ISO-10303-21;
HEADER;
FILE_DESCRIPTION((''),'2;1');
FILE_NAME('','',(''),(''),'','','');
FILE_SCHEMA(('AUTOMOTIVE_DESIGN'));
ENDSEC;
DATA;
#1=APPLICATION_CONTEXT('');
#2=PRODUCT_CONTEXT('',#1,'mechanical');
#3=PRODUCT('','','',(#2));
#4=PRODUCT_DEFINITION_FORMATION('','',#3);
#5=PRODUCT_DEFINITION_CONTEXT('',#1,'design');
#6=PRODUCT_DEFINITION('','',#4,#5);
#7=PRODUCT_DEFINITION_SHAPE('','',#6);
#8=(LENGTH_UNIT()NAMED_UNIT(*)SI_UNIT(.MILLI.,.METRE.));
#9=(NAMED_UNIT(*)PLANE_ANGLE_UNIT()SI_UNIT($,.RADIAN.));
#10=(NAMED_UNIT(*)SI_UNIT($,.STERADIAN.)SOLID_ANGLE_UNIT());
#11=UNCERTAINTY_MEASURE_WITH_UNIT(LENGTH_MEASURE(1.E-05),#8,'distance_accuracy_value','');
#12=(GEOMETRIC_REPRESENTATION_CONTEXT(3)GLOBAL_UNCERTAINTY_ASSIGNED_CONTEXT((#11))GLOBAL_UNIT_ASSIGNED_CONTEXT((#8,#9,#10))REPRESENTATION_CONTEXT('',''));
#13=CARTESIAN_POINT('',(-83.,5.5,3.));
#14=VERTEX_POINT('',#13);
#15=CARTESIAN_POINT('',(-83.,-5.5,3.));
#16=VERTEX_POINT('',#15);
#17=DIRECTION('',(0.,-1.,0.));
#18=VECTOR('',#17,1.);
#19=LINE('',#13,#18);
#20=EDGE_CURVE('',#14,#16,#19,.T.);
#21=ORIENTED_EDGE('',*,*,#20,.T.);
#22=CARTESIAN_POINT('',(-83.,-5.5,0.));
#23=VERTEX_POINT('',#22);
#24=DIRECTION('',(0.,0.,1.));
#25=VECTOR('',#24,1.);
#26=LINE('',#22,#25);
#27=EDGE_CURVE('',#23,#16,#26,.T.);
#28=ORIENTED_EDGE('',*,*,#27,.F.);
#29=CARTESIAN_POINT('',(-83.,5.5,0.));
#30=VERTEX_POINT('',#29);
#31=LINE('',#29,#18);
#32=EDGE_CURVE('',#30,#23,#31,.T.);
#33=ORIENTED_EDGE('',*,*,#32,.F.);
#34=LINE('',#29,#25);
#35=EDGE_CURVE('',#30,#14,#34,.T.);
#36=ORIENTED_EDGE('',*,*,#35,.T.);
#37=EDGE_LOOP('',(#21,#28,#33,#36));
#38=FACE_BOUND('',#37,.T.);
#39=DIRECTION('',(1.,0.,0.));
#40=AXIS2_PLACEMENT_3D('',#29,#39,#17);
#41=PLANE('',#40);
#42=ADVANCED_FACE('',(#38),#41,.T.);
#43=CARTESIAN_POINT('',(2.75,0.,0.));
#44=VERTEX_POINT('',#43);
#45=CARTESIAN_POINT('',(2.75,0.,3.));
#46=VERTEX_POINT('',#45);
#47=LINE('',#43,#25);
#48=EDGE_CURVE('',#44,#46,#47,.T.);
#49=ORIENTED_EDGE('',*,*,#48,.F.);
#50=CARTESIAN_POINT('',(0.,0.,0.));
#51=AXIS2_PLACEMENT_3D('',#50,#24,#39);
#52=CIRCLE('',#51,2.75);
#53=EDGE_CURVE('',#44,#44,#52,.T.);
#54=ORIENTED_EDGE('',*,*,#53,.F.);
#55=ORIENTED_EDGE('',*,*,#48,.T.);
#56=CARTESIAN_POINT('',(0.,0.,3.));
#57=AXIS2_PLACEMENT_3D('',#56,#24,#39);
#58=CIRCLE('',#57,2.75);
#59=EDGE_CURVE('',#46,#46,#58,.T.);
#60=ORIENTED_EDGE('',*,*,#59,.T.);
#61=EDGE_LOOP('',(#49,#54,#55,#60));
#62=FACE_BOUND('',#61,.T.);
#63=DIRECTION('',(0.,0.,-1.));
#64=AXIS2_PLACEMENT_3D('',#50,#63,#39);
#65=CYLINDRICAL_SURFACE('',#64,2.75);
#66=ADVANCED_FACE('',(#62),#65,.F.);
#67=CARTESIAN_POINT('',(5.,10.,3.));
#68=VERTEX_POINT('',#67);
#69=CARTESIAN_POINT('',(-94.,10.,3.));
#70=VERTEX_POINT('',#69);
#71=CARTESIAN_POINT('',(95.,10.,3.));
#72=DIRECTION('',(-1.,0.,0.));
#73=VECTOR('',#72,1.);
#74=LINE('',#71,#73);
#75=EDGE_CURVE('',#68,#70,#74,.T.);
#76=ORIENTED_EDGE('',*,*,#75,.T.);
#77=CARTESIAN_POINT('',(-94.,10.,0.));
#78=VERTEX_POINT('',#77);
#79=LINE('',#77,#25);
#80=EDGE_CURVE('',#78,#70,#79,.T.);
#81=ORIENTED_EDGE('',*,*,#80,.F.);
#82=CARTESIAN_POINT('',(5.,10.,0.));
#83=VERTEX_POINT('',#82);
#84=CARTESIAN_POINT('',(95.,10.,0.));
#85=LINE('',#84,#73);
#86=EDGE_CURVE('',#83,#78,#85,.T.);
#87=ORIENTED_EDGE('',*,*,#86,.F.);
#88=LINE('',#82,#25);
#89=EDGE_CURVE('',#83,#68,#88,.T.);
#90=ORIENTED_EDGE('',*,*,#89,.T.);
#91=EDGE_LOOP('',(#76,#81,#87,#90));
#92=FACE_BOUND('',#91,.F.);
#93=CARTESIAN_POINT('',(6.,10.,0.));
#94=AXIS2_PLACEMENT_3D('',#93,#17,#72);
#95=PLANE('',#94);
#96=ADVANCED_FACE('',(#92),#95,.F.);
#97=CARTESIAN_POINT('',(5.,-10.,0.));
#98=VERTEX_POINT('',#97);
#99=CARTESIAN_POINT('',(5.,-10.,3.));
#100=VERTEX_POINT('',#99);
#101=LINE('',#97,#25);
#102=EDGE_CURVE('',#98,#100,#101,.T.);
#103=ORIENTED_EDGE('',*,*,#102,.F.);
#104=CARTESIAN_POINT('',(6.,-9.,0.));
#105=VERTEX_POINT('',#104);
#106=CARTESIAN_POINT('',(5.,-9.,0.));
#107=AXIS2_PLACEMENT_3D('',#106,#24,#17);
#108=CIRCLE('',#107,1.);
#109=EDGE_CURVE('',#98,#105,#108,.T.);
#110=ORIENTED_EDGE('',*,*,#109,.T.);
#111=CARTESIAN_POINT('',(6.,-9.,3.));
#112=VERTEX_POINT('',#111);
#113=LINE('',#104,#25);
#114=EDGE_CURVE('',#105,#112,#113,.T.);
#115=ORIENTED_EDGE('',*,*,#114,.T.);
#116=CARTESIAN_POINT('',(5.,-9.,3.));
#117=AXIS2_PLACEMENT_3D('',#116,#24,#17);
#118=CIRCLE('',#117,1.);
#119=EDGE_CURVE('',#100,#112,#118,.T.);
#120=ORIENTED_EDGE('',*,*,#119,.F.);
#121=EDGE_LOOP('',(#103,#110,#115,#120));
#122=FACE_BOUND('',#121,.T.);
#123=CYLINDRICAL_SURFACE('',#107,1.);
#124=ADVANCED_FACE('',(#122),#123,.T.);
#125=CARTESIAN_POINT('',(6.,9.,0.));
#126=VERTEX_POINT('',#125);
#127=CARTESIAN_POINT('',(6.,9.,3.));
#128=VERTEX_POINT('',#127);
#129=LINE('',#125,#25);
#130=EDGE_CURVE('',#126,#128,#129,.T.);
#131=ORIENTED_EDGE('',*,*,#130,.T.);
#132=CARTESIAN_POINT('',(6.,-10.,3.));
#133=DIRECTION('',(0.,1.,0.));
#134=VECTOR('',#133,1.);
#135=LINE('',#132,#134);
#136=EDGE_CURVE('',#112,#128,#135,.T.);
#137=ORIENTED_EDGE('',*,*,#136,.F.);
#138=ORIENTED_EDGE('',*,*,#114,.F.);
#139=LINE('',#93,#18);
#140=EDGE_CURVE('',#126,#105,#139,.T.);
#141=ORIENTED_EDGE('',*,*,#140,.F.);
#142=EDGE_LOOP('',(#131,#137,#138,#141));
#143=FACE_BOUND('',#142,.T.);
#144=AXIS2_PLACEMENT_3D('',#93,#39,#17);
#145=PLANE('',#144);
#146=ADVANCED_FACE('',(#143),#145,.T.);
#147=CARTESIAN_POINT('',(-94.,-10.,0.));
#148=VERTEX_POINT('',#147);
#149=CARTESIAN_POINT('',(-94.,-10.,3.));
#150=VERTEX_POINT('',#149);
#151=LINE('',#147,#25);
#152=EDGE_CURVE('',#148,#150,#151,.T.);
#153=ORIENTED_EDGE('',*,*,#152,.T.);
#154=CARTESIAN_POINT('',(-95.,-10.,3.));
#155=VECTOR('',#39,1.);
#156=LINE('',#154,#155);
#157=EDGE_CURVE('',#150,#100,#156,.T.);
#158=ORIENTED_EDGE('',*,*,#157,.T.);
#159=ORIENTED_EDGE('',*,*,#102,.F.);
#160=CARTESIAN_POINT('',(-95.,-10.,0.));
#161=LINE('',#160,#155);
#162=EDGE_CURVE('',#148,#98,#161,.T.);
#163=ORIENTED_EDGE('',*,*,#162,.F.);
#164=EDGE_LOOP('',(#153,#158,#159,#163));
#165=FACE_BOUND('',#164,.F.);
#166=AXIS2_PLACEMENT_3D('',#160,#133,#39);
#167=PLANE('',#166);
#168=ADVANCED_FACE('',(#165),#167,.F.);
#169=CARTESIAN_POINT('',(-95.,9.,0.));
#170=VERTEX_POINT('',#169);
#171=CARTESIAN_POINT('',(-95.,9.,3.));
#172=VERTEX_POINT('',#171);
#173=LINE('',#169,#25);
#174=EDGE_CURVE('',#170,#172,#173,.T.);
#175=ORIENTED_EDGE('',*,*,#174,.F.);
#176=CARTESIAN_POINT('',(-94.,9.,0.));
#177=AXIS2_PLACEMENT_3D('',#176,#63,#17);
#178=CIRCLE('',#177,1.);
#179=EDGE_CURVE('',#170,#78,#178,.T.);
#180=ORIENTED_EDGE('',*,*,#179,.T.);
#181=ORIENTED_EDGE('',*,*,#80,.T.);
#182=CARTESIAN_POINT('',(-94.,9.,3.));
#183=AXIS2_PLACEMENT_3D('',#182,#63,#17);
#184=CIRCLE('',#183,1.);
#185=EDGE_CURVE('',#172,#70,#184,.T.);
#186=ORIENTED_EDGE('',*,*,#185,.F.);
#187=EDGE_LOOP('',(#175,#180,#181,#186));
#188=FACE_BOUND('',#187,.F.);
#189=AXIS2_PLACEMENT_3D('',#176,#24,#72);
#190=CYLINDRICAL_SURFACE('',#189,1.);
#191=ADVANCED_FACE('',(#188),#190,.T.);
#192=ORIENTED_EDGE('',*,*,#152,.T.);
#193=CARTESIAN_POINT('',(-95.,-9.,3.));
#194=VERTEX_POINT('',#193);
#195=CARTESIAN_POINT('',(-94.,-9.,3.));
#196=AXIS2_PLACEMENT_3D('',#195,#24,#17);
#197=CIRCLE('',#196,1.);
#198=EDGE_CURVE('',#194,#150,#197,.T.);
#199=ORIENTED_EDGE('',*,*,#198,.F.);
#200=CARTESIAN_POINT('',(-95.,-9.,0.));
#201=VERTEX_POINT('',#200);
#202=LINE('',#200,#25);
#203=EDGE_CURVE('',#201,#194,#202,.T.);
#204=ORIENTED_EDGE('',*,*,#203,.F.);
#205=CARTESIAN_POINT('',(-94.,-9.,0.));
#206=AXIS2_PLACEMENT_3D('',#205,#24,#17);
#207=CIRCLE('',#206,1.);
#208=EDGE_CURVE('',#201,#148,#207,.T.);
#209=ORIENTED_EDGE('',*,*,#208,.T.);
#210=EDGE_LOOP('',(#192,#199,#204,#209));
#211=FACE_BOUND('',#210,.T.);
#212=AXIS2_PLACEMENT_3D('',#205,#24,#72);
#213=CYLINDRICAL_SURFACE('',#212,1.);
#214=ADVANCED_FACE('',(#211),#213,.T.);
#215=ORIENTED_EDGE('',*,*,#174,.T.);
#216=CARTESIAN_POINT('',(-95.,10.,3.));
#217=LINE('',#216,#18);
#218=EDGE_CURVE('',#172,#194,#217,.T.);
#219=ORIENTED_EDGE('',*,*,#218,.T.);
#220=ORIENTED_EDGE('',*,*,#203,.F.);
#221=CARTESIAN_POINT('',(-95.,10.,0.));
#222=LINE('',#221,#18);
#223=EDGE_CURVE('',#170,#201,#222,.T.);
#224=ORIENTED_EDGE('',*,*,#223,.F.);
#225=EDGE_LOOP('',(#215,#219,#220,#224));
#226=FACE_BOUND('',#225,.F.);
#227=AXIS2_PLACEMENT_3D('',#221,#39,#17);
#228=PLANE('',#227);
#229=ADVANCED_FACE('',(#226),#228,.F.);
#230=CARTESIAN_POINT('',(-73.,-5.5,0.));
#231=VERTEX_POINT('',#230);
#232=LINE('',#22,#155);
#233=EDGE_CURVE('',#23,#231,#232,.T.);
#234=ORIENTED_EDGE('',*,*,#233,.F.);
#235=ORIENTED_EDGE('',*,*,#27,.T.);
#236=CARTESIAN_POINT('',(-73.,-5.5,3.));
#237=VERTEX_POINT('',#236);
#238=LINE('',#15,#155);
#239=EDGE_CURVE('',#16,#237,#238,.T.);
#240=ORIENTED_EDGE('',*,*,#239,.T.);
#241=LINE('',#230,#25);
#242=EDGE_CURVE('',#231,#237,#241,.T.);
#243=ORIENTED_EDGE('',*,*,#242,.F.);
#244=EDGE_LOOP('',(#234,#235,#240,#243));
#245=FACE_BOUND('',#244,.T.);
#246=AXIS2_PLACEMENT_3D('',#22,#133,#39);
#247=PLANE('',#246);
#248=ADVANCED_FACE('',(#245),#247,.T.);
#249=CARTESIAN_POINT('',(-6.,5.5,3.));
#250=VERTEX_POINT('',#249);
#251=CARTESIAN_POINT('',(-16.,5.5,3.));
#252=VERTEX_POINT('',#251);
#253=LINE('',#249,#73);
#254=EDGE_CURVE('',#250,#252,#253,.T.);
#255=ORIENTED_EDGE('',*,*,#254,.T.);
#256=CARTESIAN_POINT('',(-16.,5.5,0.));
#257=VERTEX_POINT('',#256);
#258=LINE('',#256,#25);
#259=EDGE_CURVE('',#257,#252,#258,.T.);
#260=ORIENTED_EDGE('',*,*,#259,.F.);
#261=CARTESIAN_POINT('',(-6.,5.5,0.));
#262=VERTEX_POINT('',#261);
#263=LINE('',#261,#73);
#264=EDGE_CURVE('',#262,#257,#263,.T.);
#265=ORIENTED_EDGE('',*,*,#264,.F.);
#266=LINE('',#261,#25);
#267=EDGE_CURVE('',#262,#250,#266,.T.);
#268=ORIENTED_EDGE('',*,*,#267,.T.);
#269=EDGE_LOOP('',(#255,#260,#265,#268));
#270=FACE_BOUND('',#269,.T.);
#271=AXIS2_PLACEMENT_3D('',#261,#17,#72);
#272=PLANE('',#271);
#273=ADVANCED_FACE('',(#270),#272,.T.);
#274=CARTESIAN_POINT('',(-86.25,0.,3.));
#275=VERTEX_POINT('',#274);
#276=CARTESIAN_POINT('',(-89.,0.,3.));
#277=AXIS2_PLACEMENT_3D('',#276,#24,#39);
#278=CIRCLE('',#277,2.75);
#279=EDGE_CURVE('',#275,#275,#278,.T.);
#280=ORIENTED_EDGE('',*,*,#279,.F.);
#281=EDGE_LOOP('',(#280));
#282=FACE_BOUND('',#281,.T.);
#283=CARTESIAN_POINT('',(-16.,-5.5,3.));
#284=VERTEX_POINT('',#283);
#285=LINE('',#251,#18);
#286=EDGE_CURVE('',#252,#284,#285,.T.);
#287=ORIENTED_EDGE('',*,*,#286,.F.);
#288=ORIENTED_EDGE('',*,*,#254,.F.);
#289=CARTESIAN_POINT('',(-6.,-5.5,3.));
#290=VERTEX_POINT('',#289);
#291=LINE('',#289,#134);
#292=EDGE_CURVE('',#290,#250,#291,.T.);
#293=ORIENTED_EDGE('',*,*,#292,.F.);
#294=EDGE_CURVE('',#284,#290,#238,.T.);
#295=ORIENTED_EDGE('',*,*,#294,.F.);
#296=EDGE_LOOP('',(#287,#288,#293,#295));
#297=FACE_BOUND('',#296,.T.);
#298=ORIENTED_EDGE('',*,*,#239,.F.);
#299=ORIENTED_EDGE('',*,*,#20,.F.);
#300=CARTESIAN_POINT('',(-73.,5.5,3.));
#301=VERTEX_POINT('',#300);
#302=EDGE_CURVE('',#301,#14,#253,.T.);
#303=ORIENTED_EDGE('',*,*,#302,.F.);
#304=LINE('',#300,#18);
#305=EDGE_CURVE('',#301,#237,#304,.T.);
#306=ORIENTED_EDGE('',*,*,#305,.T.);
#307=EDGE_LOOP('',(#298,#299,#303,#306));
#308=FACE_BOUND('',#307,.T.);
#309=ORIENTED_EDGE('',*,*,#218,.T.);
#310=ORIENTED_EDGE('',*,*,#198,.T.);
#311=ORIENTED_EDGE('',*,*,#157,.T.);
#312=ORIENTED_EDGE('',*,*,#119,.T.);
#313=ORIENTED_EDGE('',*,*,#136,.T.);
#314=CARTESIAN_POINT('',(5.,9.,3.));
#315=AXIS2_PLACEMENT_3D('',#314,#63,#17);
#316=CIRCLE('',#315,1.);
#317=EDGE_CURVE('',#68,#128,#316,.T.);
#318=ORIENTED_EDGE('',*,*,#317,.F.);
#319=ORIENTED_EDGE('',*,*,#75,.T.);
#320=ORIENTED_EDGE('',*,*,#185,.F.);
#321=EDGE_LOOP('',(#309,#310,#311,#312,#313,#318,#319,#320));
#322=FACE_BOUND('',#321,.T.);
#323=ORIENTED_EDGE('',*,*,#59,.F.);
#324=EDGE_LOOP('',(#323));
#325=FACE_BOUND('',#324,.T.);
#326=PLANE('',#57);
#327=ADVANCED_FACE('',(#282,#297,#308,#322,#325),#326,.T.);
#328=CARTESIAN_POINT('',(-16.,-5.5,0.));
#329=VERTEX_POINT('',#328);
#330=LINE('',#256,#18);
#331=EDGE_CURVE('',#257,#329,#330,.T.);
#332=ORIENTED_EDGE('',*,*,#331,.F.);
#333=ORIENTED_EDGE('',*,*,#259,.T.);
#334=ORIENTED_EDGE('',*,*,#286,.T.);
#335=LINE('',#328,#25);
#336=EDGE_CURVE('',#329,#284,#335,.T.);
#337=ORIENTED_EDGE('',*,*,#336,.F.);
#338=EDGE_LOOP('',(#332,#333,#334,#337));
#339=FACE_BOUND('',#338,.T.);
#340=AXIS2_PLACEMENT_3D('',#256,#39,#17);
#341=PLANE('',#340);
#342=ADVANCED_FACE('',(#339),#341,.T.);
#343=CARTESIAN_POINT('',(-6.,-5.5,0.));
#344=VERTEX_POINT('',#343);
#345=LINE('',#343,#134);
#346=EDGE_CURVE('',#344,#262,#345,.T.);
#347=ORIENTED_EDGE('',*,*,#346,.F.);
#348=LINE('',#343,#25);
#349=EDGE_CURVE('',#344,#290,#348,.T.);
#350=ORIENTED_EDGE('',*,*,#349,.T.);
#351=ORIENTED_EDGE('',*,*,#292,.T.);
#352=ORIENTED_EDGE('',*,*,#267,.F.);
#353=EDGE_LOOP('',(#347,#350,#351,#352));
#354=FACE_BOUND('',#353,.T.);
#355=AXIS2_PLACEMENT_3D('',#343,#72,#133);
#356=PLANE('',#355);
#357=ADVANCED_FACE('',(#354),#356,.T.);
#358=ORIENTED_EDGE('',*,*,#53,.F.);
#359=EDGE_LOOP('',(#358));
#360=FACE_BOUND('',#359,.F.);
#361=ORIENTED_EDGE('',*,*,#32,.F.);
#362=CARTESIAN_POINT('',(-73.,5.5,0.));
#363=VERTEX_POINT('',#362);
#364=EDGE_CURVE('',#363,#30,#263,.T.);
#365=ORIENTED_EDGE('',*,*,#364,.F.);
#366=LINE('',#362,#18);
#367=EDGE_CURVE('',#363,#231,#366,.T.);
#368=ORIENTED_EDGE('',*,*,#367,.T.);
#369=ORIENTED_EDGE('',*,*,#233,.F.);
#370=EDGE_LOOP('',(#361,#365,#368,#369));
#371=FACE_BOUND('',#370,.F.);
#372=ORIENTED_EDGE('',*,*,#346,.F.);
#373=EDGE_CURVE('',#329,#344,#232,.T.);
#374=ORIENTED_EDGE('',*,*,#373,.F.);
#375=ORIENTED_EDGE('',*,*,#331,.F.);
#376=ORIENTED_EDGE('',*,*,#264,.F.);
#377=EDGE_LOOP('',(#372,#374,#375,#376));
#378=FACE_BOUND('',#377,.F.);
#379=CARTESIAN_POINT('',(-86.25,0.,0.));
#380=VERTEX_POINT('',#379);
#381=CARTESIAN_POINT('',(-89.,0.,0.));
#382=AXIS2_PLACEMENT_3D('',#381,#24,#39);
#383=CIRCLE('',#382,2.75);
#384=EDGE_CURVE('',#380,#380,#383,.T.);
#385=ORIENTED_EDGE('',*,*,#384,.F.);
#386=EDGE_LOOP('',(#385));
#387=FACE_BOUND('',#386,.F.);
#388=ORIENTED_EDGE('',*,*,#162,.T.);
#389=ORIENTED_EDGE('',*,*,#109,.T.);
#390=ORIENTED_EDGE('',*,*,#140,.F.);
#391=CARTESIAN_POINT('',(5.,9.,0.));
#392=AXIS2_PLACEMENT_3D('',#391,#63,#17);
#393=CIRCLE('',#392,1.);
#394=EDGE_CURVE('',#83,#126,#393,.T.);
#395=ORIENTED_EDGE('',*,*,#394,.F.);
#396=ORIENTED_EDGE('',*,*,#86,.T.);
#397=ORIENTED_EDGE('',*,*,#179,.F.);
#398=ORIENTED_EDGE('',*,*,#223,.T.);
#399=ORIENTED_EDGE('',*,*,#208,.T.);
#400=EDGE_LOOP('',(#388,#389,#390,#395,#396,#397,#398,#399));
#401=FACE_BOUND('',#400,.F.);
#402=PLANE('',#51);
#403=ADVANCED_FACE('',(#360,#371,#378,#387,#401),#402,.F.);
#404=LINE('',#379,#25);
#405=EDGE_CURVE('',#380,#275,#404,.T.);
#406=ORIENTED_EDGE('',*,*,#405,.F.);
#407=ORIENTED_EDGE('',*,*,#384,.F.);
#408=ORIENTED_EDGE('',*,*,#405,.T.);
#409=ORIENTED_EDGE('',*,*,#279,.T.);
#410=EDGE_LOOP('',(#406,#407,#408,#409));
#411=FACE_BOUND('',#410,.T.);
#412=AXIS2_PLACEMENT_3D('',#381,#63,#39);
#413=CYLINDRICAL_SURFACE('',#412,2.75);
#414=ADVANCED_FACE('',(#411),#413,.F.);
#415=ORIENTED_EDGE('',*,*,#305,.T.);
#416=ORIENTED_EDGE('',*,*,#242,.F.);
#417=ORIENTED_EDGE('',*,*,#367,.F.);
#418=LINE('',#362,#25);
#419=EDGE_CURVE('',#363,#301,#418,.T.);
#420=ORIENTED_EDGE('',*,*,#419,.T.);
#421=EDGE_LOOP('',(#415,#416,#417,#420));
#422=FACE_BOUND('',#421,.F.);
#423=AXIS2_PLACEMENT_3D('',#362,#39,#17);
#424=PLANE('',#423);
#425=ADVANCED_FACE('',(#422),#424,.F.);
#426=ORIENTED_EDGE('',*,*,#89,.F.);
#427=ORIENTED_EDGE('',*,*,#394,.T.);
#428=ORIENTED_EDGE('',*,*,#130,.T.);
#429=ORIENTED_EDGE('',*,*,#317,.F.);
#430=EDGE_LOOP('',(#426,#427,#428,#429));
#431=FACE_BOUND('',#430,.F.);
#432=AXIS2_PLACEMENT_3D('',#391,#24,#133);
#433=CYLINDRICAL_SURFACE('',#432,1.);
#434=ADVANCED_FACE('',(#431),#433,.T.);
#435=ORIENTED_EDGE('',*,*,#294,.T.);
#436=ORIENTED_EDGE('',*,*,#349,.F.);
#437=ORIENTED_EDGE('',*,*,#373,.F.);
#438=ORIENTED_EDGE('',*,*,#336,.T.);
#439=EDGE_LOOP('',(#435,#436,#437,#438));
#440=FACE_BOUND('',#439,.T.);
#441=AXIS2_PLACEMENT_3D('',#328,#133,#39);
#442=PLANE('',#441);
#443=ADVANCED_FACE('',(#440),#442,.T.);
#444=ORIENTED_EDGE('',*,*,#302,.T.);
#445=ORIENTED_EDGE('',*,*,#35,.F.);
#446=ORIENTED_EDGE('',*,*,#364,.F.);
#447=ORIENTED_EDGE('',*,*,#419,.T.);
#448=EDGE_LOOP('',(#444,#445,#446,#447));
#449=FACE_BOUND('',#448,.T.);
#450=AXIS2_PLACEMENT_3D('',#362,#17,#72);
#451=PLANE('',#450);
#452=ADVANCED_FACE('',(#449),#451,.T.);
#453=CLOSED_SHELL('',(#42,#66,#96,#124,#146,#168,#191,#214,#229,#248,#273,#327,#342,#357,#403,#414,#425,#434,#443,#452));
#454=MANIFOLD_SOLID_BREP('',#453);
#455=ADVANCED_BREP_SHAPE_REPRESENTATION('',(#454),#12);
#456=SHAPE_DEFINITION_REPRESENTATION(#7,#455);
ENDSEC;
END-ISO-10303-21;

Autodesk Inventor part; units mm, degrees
ref_plane "YZ Plane" through (0, 0, 0) normal (1, 0, 0) x (0, 1, 0)
ref_plane "XZ Plane" through (0, 0, 0) normal (0, 1, 0) x (-1, 0, 0)
ref_plane "XY Plane" through (0, 0, 0) normal (0, 0, 1) x (1, 0, 0)
sketch "Sketch1" plane through (0, 0, 0) normal (0, 0, 1) x (1, 0, 0)
  line L0 (-95, -10) -> (95, -10)
  line L1 (95, -10) -> (95, 10)
  line L2 (95, 10) -> (-95, 10)
  line L3 (-95, 10) -> (-95, -10)
  line L4 (-95, -10) -> (95, 10) construction
  line L5 (95, -10) -> (-95, 10) construction
  line L6 (-133, 0) -> (133, 0) construction
  line L7 (-83, -5.5) -> (-6, -5.5)
  line L8 (-6, -5.5) -> (-6, 5.5)
  line L9 (-6, 5.5) -> (-83, 5.5)
  line L10 (-83, 5.5) -> (-83, -5.5)
  line L11 (-83, -5.5) -> (-6, 5.5) construction
  line L12 (-6, -5.5) -> (-83, 5.5) construction
  line L13 (0, 14.2899) -> (0, -14.2899) construction
  line L14 (83, -5.5) -> (6, -5.5)
  line L15 (6, -5.5) -> (6, 5.5)
  line L16 (6, 5.5) -> (83, 5.5)
  line L17 (83, 5.5) -> (83, -5.5)
  line L18 (83, -5.5) -> (6, 5.5) construction
  line L19 (6, -5.5) -> (83, 5.5) construction
  circle A0 centre (-89, 0) radius 2.75
  circle A1 centre (0, 0) radius 2.75
  circle A2 centre (89, 0) radius 2.75
  line L20 (-83, 5.5) -> (-73, 5.5)
  line L21 (-73, 5.5) -> (-73, -5.5)
  line L22 (-73, -5.5) -> (-83, -5.5)
  line L23 (-83, -5.5) -> (-83, 5.5)
  line L24 (-6, 5.5) -> (-16, 5.5)
  line L25 (-16, 5.5) -> (-16, -5.5)
  line L26 (-16, -5.5) -> (-6, -5.5)
  line L27 (-6, -5.5) -> (-6, 5.5)
  line L28 (16, 5.5) -> (16, -5.5)
  line L29 (73, 5.5) -> (73, -5.5)
  line L30 (6, 10) -> (6, 5.4904)
  line L31 (6, 5.4904) -> (6, -10)
  point P0 (-44.5, 0)
  point P1 (44.5, 0)
  point P2 (73, -5.5)
  point P3 (73, 5.5)
  point P4 (-73, 5.5)
  point P5 (6, -5.5)
  dimension "d0" = 190
  dimension "d1" = 20
  dimension "d2" = 11
  dimension "d3" = 12
  dimension "d4" = 6
  dimension "d5" = 5.5
  dimension "d6" = 6
  dimension "d7" = 5.5
  dimension "d11" = 10
  dimension "d12" = 10
extrude "Extrusion1" add sketch "Sketch1" along normal blind 3 contours L3 L2 L30 L15 L31 L0 | L21 L9 L25 L7
fillet "Fillet1" radius 1 4 edges at (-95, -10, 1.5) (-95, 10, 1.5) (6, 10, 1.5) (6, -10, 1.5)
sketch "Sketch2" plane through (0, 0, 3) normal (0, 0, 1) x (1, 0, 0)
  line L0 (-16, 5.5) -> (-6, 5.5) projected
  line L1 (-6, 5.5) -> (-6, -5.5) projected
  line L2 (-6, -5.5) -> (-16, -5.5) projected
  line L3 (-16, -5.5) -> (-16, 5.5) projected
  circle A0 centre (-89, 0) radius 2.75 projected
  circle A1 centre (0, 0) radius 2.75 projected
  arc A2 (5, -10) -> (6, -9) centre (5, -9) ccw projected
  line L4 (6, -9) -> (6, 9) projected
  arc A3 (6, 9) -> (5, 10) centre (5, 9) ccw projected
  line L5 (5, 10) -> (-94, 10) projected
  arc A4 (-94, 10) -> (-95, 9) centre (-94, 9) ccw projected
  line L6 (-95, 9) -> (-95, -9) projected
  arc A5 (-95, -9) -> (-94, -10) centre (-94, -9) ccw projected
  line L7 (-94, -10) -> (5, -10) projected
  line L8 (-73, 5.5) -> (-73, -5.5) projected
  line L9 (-73, -5.5) -> (-83, -5.5) projected
  line L10 (-83, -5.5) -> (-83, 5.5) projected
  line L11 (-83, 5.5) -> (-73, 5.5) projected
equation "\"d6\" = 0.5 * d3"
equation "\"d7\" = d5"
equation "\"d12\" = d11"
properties part number "LED_Holder_BackTop"
